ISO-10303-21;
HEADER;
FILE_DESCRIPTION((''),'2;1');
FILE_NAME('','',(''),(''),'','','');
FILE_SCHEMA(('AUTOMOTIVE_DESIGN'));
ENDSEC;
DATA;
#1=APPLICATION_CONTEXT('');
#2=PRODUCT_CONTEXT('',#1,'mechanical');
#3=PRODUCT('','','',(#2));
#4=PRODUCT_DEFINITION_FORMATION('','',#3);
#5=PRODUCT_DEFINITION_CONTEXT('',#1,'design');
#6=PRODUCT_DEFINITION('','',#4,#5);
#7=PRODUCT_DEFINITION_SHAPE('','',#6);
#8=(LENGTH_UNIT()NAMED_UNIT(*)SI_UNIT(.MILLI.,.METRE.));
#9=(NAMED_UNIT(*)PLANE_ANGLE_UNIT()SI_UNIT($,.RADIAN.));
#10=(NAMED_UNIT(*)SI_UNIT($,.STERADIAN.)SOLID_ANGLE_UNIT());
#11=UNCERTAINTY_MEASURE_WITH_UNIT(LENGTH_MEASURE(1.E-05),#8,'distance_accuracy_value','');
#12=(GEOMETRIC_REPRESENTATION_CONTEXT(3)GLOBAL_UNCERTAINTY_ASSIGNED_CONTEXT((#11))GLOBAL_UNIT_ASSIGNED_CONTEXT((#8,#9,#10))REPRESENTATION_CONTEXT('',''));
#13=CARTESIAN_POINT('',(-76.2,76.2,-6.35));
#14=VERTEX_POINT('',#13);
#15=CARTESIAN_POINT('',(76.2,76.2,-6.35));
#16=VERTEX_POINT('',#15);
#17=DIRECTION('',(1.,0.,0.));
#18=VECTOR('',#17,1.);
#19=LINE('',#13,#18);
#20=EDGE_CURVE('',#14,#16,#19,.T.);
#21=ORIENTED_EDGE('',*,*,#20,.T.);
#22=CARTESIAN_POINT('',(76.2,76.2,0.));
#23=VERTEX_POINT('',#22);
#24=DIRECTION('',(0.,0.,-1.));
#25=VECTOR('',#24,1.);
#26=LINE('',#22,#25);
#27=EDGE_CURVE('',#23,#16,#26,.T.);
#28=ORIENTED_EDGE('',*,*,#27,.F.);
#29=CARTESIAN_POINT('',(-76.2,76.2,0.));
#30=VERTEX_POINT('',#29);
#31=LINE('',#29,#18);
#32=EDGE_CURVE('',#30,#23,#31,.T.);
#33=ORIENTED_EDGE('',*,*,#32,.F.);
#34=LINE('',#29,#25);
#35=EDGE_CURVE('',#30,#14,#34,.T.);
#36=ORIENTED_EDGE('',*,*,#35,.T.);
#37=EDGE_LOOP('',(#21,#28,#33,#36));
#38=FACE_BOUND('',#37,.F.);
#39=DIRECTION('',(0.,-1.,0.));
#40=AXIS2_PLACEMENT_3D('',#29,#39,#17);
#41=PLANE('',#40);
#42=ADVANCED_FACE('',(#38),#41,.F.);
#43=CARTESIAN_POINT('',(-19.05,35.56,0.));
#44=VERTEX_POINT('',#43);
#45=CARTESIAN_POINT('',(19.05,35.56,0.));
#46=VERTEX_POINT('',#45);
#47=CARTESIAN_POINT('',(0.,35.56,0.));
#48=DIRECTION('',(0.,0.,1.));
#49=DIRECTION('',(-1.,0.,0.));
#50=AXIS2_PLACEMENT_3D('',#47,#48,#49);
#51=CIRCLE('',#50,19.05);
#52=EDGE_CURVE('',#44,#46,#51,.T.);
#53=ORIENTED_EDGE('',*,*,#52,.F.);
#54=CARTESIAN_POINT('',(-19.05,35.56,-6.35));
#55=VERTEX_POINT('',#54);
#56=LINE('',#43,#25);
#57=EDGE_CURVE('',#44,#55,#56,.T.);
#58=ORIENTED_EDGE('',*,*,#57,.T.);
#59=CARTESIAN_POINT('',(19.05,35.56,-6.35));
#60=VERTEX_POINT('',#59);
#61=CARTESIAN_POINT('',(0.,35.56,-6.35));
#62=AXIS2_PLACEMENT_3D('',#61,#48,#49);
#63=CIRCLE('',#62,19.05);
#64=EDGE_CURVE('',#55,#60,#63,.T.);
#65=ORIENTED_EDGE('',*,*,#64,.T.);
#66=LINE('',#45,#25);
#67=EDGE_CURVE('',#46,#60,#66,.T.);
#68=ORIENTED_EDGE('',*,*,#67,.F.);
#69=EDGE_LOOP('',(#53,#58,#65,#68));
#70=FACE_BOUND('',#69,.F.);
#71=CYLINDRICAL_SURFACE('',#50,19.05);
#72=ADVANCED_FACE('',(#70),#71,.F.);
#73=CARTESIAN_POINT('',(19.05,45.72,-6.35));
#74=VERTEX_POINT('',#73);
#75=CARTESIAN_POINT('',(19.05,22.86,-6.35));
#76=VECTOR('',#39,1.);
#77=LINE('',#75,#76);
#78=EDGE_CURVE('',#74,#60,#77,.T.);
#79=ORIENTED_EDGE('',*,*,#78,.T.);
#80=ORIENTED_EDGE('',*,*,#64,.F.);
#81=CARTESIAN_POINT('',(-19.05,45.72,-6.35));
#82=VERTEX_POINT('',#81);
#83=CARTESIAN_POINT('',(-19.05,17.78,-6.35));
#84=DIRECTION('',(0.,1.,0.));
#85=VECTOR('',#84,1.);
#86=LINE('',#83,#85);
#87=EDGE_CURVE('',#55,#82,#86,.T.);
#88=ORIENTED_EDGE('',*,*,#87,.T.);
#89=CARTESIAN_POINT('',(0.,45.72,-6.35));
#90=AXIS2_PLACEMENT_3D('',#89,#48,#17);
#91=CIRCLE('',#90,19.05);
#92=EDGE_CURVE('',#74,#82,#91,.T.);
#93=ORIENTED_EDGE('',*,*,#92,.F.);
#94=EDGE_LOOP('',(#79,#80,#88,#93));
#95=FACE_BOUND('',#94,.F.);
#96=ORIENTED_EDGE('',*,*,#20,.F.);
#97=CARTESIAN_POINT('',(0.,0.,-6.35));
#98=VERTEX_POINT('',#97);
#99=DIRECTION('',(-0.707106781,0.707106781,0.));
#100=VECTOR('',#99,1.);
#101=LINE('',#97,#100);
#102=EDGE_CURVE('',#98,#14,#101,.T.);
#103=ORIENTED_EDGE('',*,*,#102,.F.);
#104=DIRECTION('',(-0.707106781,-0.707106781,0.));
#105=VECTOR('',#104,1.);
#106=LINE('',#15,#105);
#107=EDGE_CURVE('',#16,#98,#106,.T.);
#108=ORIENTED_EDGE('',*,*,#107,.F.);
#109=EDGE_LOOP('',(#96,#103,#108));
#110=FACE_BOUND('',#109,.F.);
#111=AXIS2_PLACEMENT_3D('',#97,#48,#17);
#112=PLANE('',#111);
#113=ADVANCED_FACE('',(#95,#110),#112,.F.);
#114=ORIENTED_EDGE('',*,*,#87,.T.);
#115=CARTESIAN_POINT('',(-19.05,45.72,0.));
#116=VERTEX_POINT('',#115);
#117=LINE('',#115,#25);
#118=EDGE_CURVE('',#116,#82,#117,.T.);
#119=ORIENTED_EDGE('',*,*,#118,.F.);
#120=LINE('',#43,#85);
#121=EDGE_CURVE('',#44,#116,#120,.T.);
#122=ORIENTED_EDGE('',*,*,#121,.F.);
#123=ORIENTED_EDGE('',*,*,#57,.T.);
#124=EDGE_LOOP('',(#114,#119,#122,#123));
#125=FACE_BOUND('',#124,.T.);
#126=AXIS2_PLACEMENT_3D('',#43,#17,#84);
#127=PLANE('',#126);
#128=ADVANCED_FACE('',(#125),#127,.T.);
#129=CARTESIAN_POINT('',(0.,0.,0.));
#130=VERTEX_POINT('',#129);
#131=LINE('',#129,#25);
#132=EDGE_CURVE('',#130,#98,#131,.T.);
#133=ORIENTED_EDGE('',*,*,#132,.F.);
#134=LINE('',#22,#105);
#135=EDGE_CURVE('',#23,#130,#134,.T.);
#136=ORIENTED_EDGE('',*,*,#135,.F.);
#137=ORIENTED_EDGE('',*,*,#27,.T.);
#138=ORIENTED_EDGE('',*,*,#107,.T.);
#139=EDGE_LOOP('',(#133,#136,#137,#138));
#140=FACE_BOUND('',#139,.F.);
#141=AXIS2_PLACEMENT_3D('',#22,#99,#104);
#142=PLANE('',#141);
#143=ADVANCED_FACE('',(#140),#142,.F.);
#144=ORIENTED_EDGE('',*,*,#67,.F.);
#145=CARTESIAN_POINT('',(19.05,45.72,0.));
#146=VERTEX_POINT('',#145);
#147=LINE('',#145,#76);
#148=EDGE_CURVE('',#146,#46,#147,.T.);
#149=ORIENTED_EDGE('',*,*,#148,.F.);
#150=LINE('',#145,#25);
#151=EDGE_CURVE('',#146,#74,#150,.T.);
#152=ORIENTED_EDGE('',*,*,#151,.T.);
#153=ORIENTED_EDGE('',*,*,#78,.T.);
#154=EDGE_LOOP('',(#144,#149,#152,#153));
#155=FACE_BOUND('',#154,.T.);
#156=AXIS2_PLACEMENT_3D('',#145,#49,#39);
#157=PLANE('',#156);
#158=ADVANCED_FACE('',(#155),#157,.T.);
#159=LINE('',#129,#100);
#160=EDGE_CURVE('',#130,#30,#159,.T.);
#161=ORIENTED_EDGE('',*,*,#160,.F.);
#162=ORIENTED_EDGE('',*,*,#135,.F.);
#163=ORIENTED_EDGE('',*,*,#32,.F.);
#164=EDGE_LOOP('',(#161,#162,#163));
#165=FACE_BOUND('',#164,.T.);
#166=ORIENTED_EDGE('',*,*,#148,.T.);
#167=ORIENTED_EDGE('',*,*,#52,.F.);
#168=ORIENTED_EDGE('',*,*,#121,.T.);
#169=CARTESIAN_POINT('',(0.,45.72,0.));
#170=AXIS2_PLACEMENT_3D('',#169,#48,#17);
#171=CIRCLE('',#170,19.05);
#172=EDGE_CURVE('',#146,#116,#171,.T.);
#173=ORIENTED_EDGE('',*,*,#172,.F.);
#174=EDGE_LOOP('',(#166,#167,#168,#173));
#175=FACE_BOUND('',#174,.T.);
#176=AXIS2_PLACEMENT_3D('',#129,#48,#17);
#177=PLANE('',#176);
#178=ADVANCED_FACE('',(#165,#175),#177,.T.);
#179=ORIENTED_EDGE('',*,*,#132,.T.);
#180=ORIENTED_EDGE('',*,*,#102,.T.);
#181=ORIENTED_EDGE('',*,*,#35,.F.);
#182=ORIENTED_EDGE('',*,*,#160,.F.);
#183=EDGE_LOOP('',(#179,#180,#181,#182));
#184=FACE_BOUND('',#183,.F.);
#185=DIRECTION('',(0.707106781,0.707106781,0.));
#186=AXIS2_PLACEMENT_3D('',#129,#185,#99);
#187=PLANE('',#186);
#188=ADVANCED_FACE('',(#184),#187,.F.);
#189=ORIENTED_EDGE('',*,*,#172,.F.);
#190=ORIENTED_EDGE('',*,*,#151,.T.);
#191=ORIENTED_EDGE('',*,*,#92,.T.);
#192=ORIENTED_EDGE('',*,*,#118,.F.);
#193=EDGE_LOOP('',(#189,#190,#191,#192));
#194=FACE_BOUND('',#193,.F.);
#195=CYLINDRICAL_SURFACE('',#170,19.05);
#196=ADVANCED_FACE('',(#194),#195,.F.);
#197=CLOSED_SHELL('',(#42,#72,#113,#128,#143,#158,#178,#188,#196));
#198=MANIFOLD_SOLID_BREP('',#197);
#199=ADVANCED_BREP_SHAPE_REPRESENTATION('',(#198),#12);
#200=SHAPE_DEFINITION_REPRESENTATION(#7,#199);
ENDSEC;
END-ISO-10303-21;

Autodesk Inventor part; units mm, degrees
ref_plane "YZ Plane" through (0, 0, 0) normal (1, 0, 0) x (0, 1, 0)
ref_plane "XZ Plane" through (0, 0, 0) normal (0, 1, 0) x (-1, 0, 0)
ref_plane "XY Plane" through (0, 0, 0) normal (0, 0, 1) x (1, 0, 0)
sketch "Sketch1" plane through (0, 0, 0) normal (0, 0, 1) x (1, 0, 0)
  line L0 (0, 0) -> (-76.2, 76.2)
  line L1 (-76.2, 76.2) -> (76.2, 76.2)
  line L2 (76.2, 76.2) -> (0, 0)
  point P0 (0, 76.2)
  dimension "d0" = 152.4
  dimension "d2" = 76.2
extrude "Extrusion1" add sketch "Sketch1" against normal blind 6.35
sketch "Sketch2" plane through (0, 0, 0) normal (0, 0, 1) x (1, 0, 0)
  line L0 (-76.2, 76.2) -> (76.2, 76.2) projected
  line L1 (-19.05, 35.56) -> (-19.05, 45.72)
  arc A0 (19.05, 45.72) -> (-19.05, 45.72) centre (0, 45.72) ccw
  line L2 (19.05, 45.72) -> (19.05, 35.56)
  arc A1 (-19.05, 35.56) -> (19.05, 35.56) centre (0, 35.56) ccw
  point P0 (0, 76.2)
  dimension "d5" = 10.16
  dimension "d6" = 19.05
  dimension "d7" = 30.48
extrude "Extrusion2" cut sketch "Sketch2" against normal through all
ref_plane "Work Plane1" through (76.2, 76.2, -3.175) normal (0, 0, -1) x (-1, 0, 0)
properties part number "GE-13020-02" material "Steel"
